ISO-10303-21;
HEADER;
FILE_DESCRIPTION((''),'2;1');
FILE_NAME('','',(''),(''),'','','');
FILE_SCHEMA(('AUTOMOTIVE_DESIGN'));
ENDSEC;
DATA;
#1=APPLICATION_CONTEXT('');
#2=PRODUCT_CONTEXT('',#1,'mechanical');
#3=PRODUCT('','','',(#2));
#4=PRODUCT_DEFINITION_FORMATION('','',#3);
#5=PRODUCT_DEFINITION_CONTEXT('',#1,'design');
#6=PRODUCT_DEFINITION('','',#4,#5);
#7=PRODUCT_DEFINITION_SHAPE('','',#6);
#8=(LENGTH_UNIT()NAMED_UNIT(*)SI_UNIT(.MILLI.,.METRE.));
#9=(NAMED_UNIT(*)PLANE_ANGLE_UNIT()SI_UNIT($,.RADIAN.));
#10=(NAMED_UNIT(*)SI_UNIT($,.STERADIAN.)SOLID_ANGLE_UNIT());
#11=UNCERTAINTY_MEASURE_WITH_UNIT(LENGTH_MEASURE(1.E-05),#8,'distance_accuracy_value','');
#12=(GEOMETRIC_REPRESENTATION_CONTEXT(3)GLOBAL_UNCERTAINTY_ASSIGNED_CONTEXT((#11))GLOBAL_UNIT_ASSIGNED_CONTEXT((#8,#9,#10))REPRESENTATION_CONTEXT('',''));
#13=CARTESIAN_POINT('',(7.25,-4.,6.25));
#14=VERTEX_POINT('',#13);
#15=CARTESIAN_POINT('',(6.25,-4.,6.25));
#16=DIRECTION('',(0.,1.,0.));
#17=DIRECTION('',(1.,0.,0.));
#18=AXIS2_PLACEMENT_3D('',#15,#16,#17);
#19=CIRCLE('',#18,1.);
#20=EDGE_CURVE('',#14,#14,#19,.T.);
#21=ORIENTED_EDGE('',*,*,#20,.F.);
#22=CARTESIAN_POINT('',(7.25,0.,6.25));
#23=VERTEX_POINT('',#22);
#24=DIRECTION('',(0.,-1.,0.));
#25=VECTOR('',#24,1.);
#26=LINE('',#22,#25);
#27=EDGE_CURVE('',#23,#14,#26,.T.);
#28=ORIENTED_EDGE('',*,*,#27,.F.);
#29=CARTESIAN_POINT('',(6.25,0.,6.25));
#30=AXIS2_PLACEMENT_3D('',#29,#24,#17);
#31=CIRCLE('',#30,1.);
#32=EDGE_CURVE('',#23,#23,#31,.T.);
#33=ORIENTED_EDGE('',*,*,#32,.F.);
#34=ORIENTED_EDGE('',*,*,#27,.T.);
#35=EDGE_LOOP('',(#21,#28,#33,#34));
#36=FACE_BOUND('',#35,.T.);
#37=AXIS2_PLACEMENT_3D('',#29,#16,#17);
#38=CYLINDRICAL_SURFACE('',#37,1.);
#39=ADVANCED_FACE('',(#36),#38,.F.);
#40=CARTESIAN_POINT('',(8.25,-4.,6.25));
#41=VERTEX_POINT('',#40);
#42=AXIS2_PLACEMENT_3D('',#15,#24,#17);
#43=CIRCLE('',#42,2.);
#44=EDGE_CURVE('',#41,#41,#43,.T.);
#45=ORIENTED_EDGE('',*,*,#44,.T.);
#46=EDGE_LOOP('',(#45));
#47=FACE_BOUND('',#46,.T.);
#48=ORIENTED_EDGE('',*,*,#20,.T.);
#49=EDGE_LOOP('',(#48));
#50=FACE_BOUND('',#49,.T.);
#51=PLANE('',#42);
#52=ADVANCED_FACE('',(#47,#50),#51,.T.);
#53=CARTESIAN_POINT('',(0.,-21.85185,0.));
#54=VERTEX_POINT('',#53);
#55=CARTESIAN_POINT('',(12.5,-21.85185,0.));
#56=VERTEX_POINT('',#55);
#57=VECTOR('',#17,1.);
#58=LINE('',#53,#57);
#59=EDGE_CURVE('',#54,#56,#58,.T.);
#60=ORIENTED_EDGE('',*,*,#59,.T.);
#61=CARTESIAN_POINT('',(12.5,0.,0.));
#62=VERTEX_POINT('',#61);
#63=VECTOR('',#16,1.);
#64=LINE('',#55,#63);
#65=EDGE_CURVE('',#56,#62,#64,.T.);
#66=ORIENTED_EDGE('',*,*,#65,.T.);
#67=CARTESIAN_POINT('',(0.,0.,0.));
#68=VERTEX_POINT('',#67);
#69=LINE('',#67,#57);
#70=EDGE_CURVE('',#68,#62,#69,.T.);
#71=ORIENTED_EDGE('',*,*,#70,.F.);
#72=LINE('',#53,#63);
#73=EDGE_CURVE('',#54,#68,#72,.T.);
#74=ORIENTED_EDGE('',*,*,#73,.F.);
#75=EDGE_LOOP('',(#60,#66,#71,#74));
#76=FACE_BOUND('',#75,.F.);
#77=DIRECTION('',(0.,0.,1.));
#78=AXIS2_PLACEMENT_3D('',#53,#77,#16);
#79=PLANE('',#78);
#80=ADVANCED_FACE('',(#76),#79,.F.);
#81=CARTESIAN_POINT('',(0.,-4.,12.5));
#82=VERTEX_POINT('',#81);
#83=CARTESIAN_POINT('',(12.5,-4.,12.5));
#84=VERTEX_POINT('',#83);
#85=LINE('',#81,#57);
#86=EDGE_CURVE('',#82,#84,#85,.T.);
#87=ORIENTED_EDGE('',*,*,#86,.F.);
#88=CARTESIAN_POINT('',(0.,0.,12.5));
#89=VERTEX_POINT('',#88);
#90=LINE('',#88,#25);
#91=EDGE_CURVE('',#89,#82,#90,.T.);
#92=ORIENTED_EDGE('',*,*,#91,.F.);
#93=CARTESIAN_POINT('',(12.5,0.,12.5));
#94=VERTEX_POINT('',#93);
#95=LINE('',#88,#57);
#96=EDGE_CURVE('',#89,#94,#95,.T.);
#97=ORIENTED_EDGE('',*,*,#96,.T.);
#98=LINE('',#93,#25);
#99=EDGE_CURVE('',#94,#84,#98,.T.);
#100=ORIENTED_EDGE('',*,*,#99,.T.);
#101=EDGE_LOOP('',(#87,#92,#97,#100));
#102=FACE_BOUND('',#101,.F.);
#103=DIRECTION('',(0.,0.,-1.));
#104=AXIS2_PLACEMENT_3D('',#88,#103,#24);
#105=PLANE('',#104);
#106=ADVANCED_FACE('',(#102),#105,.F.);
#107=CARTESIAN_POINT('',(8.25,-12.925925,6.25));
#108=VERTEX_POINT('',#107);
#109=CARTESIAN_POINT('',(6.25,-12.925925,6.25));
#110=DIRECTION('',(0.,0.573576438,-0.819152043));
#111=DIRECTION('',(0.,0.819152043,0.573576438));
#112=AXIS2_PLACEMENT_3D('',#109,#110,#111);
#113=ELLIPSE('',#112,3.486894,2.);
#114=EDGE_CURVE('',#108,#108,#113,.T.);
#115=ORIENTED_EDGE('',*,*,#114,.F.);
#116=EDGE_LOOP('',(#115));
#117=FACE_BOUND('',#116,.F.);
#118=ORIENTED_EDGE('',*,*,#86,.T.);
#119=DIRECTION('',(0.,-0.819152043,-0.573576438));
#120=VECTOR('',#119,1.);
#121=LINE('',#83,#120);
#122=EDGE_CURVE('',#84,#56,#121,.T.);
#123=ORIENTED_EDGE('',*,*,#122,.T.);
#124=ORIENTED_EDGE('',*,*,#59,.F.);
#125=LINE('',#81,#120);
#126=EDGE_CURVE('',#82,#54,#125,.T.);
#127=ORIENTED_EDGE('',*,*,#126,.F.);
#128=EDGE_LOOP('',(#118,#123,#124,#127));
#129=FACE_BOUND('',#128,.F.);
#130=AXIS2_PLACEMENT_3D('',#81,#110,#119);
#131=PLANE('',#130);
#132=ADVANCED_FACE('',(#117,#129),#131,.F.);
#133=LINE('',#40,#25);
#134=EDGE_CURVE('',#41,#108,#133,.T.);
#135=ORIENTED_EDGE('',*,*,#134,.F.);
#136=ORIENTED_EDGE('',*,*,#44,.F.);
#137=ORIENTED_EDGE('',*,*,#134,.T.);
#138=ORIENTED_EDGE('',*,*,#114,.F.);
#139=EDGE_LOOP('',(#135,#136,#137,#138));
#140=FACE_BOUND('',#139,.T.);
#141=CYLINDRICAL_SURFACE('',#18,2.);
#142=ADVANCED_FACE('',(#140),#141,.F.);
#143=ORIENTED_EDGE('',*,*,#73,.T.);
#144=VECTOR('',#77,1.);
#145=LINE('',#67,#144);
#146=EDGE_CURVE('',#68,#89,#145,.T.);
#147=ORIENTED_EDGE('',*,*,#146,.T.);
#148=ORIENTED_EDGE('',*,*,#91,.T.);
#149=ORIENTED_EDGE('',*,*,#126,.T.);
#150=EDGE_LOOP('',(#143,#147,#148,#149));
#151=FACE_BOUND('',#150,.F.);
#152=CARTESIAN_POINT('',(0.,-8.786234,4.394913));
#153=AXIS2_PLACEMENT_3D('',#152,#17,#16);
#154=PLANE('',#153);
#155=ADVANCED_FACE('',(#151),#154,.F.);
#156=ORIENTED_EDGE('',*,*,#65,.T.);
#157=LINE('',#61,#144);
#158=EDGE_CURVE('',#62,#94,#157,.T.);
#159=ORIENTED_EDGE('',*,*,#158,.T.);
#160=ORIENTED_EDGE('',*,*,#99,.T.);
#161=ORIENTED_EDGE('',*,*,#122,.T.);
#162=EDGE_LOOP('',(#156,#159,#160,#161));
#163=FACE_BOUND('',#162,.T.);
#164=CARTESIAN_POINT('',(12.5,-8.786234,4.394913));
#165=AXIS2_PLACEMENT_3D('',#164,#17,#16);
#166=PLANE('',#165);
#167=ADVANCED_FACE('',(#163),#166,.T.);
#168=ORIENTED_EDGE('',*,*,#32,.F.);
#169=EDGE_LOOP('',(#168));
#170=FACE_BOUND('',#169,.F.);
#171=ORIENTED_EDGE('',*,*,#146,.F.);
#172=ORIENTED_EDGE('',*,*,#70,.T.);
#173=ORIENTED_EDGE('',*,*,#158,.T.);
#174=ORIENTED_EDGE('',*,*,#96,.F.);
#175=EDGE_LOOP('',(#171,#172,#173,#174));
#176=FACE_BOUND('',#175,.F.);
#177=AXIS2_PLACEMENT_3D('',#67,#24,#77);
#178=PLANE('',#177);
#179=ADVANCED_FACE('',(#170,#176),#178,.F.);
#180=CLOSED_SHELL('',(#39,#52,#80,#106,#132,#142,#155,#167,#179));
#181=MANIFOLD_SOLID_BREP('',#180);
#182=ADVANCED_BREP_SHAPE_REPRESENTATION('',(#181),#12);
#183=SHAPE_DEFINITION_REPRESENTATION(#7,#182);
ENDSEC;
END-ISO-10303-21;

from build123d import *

# Parameters (mm, degrees)
PAD006_DEPTH    = 12.5
SKETCH011_R     = 1
POCKET015_DEPTH = 50
SKETCH_R        = 2
POCKET_DEPTH    = 21.85185


with BuildPart() as part:
    # Sketch010 → Pad006 (new body)
    with BuildSketch(Plane.YZ):
        Polygon((-21.85185, 0), (0, 0), (0, 12.5), (-4, 12.5), align=None)
    extrude(amount=PAD006_DEPTH)

    # Sketch011 → Pocket015 (cut)
    with BuildSketch(Plane.XZ):
        with Locations((6.25, 6.25)):
            Circle(SKETCH011_R)
    extrude(amount=POCKET015_DEPTH, mode=Mode.SUBTRACT)

    # Sketch (on DatumPlane) → Pocket (cut)
    with BuildSketch(Plane.XZ.offset(4)):
        with Locations((6.25, 6.25)):
            Circle(SKETCH_R)
    extrude(amount=POCKET_DEPTH, mode=Mode.SUBTRACT)


solid = part.part
